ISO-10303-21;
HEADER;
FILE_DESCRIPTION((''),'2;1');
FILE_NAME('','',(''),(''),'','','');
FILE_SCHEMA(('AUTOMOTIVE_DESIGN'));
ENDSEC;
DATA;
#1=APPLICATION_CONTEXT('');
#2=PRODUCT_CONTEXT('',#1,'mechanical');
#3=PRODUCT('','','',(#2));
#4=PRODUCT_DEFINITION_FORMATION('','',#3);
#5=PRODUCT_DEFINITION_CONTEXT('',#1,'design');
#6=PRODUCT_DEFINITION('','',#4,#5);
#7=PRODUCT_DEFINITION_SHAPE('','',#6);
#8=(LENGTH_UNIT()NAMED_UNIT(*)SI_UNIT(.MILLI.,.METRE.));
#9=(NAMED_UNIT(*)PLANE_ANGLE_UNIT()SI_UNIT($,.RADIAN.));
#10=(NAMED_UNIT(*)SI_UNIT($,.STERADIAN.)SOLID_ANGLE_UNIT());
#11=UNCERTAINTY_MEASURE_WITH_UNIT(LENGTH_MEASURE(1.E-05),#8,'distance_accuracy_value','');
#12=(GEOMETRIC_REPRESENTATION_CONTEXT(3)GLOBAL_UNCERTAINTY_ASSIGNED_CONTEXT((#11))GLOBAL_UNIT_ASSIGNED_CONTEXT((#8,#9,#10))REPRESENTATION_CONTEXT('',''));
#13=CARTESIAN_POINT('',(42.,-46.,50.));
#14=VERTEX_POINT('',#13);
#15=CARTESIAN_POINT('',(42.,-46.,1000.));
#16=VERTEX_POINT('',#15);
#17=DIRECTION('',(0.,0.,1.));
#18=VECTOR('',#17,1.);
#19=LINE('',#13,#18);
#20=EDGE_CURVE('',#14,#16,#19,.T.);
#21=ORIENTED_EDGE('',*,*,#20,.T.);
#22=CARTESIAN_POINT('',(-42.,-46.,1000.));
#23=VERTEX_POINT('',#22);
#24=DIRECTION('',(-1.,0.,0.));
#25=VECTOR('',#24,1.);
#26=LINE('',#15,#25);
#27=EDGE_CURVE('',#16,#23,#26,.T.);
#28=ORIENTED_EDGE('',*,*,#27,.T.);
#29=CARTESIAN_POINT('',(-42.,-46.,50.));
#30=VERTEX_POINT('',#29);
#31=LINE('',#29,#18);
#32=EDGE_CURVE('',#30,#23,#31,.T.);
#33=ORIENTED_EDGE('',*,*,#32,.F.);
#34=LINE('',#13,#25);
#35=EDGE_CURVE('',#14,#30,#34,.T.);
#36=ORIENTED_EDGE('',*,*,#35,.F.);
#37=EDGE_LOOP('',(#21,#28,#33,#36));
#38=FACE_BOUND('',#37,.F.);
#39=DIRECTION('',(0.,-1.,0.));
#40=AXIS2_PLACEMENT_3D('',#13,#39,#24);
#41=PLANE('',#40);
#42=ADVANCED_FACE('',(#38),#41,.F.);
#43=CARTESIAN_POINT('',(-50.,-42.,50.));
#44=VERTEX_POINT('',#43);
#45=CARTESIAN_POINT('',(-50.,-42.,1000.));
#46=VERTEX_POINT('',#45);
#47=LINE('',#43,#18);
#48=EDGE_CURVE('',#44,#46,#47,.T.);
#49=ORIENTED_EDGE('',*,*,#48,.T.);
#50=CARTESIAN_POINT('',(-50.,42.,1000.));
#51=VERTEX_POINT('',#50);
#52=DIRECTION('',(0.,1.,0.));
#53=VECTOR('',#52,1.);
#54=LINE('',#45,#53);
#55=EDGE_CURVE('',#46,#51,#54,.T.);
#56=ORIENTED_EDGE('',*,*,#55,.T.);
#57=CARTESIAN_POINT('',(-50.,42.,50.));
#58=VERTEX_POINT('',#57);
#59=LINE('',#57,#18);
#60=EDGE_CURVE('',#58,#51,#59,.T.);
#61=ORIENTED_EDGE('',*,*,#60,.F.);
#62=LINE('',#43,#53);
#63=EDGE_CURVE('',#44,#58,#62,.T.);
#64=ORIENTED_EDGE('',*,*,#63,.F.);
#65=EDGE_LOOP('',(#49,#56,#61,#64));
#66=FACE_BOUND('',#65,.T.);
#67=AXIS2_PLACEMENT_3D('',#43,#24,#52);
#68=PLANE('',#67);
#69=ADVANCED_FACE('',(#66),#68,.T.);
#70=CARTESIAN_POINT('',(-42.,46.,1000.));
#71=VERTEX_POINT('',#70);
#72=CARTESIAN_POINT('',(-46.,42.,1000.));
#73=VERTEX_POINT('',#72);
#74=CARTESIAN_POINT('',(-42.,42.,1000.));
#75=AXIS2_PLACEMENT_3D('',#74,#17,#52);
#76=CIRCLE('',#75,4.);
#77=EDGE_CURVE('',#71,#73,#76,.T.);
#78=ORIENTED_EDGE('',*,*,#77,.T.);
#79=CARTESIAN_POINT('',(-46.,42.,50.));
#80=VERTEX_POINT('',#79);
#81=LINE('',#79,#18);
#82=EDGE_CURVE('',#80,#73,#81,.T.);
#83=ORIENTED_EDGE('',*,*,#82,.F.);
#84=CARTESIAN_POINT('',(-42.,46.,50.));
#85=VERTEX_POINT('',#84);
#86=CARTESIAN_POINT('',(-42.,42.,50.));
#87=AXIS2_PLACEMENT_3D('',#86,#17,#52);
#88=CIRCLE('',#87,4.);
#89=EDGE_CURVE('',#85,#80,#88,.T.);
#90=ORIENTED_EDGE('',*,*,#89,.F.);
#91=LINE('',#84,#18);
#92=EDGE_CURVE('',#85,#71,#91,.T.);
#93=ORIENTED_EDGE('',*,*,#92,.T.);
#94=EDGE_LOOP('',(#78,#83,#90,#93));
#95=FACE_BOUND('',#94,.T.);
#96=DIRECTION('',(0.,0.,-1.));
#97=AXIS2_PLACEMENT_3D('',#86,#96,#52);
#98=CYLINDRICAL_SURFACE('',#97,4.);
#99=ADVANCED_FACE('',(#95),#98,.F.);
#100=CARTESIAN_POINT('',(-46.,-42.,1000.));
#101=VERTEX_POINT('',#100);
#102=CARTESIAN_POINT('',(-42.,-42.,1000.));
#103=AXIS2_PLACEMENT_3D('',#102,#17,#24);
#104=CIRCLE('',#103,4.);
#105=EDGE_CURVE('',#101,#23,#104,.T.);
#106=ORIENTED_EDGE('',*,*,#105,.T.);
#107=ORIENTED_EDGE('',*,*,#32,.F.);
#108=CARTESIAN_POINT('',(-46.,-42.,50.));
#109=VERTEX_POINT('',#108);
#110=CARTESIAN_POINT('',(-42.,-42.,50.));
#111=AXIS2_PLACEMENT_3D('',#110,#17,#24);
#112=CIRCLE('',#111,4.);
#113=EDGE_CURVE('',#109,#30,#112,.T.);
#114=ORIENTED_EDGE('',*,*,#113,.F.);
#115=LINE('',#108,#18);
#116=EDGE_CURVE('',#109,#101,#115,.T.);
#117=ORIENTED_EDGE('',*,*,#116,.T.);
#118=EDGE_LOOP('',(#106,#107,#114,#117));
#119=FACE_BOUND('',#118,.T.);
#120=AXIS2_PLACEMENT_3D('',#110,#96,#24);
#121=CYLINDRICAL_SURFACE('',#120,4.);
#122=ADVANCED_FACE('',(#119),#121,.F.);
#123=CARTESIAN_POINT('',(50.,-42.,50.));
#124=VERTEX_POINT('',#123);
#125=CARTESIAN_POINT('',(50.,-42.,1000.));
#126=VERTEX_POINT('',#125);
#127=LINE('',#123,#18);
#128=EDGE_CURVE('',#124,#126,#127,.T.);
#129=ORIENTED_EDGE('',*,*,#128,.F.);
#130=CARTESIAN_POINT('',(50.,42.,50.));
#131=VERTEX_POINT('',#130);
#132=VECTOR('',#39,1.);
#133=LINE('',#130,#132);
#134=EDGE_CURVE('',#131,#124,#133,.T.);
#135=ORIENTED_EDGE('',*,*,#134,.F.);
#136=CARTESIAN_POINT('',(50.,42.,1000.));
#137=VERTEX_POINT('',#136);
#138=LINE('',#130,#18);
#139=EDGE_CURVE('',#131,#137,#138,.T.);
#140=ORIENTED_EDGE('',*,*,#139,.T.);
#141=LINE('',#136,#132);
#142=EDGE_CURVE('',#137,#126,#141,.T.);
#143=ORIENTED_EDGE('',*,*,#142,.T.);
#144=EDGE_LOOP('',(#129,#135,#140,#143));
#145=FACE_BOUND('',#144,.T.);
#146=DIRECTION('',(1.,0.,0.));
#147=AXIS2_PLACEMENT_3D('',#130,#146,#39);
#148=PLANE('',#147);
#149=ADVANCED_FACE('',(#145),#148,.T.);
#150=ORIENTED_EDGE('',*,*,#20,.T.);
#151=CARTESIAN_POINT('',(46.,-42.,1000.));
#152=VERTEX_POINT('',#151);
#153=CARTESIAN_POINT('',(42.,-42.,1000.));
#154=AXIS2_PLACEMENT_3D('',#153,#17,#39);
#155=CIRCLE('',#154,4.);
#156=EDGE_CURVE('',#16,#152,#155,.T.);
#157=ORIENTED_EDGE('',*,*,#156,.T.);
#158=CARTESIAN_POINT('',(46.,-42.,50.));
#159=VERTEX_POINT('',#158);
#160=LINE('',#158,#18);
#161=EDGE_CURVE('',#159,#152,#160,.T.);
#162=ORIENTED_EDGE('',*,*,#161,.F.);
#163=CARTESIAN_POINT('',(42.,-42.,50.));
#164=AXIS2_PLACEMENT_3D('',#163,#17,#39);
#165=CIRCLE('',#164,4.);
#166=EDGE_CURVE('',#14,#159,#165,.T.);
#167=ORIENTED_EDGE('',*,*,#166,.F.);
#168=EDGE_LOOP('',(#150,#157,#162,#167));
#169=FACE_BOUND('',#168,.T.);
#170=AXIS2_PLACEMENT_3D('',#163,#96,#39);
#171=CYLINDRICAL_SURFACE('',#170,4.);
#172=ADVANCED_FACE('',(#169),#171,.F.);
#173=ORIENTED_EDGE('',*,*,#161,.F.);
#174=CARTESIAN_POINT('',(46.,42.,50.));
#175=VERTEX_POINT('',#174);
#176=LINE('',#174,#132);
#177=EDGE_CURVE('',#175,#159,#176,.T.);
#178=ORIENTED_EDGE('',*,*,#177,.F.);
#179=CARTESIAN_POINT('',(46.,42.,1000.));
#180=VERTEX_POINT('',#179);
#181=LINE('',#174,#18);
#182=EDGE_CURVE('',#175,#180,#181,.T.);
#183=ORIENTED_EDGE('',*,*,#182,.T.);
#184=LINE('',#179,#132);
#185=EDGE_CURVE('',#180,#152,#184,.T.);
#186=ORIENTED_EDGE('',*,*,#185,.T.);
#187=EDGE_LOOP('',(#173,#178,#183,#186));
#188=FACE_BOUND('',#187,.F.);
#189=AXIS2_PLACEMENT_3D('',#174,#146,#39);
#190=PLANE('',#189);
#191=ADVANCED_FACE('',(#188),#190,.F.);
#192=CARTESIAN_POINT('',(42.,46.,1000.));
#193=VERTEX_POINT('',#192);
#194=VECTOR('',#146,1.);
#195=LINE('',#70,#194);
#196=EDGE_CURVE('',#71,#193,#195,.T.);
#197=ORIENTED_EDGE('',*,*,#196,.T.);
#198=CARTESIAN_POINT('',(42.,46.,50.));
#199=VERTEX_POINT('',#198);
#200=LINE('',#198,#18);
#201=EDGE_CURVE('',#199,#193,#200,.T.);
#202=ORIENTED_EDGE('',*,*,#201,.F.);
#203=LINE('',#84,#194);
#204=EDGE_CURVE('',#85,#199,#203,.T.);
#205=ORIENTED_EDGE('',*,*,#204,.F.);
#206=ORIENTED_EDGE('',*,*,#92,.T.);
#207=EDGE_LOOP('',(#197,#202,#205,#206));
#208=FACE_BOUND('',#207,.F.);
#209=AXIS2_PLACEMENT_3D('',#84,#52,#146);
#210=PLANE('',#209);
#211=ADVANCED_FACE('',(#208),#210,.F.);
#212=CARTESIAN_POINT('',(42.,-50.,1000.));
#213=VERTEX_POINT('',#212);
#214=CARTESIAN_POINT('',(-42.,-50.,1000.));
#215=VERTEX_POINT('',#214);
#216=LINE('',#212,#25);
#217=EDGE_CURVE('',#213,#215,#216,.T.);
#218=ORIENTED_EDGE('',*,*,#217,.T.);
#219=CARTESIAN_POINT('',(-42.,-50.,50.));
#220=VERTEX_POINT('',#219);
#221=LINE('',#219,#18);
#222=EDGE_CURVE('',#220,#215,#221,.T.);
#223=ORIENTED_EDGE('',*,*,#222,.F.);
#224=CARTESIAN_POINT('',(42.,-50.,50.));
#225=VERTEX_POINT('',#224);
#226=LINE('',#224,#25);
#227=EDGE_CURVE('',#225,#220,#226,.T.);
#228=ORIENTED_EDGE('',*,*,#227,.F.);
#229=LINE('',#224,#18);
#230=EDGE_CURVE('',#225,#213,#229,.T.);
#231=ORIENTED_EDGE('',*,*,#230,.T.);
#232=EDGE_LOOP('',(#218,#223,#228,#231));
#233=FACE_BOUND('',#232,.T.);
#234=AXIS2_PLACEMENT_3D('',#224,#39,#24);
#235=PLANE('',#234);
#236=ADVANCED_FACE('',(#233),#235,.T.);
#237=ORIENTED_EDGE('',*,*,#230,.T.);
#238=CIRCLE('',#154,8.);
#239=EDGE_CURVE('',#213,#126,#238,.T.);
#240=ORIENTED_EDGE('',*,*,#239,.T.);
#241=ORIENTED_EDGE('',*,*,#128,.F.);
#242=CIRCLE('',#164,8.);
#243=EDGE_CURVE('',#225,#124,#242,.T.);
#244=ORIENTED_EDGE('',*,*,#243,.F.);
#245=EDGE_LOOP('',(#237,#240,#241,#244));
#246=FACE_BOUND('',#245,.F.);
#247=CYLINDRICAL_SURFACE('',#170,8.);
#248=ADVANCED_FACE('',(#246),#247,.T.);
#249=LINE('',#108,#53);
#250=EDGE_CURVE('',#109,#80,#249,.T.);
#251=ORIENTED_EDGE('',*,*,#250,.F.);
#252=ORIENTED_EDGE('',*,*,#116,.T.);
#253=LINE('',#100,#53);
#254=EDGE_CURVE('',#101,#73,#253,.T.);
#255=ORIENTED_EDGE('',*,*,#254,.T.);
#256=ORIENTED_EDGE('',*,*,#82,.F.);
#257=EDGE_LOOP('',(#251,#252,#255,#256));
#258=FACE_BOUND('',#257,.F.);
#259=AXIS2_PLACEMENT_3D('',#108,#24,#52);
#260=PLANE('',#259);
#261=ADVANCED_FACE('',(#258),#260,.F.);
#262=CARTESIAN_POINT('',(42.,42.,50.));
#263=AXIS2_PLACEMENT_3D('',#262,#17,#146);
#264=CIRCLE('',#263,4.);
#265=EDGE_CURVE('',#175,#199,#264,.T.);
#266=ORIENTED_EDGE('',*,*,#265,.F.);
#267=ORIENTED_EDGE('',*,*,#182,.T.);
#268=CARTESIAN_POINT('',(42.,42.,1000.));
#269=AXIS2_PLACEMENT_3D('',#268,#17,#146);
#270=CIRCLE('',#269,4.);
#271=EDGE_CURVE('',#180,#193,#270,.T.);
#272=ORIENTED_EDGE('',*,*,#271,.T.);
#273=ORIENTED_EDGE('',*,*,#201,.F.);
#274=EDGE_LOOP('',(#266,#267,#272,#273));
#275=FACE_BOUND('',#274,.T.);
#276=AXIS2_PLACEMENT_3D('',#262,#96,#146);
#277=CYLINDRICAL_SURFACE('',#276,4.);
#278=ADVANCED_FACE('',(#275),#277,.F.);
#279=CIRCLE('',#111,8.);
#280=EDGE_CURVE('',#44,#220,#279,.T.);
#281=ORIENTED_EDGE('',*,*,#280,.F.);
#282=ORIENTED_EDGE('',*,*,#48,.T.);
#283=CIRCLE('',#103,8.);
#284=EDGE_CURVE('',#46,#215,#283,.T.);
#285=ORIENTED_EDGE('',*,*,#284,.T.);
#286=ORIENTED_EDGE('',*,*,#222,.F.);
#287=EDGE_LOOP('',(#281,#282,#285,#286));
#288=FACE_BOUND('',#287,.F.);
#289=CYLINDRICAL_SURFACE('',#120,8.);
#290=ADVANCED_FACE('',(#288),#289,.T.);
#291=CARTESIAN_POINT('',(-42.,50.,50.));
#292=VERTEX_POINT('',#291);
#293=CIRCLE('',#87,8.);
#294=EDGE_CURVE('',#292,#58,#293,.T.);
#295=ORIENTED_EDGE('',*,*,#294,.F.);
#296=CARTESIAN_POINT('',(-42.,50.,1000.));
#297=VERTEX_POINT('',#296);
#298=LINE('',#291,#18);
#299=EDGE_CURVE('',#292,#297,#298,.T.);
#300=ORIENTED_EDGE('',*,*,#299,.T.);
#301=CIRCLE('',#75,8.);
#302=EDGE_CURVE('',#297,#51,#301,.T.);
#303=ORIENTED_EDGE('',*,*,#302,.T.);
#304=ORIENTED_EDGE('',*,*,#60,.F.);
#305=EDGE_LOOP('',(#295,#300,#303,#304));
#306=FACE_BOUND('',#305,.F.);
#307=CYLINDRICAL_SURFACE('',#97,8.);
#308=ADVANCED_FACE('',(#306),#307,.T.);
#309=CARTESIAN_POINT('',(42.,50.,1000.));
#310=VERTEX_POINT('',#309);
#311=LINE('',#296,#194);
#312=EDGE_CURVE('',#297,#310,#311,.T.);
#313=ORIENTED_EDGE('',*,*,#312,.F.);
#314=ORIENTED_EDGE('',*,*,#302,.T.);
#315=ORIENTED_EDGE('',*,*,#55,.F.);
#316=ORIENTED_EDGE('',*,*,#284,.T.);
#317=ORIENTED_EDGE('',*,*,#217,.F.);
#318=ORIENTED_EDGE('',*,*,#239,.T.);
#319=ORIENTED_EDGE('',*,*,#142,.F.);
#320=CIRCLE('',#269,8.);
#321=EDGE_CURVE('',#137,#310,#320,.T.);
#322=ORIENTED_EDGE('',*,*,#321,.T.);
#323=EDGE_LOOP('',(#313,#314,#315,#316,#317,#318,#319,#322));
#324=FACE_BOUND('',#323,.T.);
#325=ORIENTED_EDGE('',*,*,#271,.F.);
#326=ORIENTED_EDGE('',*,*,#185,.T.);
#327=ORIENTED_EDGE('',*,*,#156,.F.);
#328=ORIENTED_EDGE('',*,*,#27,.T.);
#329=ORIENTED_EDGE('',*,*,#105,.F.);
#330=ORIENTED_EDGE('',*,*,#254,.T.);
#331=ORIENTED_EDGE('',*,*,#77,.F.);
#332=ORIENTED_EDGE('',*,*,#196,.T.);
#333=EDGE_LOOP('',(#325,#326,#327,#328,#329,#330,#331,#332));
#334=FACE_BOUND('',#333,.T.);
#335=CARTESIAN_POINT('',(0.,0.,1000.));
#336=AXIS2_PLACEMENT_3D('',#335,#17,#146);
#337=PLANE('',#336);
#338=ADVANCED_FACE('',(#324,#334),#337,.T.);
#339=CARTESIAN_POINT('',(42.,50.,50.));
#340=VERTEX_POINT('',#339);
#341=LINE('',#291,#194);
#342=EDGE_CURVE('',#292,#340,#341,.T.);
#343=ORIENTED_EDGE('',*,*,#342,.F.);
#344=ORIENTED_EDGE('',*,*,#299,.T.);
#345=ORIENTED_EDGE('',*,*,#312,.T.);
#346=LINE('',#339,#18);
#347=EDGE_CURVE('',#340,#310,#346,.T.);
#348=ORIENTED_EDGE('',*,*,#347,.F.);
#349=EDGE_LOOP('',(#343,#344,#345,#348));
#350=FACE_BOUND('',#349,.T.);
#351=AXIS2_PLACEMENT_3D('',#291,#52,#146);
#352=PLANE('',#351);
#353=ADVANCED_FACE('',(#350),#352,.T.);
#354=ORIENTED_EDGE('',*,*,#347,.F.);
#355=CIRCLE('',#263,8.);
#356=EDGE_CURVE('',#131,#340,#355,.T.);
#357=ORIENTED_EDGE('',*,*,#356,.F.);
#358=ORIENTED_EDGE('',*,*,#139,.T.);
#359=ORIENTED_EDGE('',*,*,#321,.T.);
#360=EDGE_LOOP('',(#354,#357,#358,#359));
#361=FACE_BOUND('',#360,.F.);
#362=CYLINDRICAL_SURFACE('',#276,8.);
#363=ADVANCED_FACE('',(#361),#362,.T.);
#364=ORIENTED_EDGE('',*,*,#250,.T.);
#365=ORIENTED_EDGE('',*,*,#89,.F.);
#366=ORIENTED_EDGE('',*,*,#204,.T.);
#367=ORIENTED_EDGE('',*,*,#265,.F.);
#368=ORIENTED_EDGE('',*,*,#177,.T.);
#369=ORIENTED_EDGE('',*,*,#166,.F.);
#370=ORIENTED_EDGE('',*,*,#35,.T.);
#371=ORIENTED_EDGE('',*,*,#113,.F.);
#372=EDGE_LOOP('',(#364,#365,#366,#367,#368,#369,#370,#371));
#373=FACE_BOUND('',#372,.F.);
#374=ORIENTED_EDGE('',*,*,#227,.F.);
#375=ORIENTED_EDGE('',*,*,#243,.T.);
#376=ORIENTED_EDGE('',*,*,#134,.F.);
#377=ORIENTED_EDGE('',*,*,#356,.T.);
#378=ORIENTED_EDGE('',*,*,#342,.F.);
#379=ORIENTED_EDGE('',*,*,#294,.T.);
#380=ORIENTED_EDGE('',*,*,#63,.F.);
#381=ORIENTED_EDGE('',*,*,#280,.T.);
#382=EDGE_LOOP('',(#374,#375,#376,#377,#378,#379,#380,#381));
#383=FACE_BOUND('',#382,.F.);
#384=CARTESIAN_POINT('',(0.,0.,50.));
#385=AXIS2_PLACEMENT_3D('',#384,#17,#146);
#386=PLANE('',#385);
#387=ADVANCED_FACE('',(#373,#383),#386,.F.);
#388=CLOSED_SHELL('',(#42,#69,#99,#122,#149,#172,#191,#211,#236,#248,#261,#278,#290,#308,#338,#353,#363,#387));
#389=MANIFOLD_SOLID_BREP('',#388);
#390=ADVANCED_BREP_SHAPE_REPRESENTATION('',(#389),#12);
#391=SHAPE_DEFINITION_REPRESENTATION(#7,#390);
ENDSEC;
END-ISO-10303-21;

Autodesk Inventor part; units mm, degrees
ref_plane "YZ Plane" through (0, 0, 0) normal (1, 0, 0) x (0, 1, 0)
ref_plane "Start Plane" through (0, 0, 50) normal (0, 0, 1) x (1, 0, 0)
ref_plane "End Plane" through (0, 0, 1000) normal (0, 0, 1) x (1, 0, 0)
sketch "Sketch" plane through (0, 0, 0) normal (0, 0, 1) x (1, 0, 0)
  line L0 (-50, -42) -> (-50, 42)
  line L1 (-42, 50) -> (42, 50)
  line L2 (50, 42) -> (50, -42)
  line L3 (42, -50) -> (-42, -50)
  arc A0 (-50, -42) -> (-42, -50) centre (-42, -42) ccw
  arc A1 (50, 42) -> (42, 50) centre (42, 42) ccw
  arc A2 (-42, 50) -> (-50, 42) centre (-42, 42) ccw
  arc A3 (42, -50) -> (50, -42) centre (42, -42) ccw
  arc A4 (-42, 46) -> (-46, 42) centre (-42, 42) ccw
  line L4 (-42, 46) -> (42, 46)
  arc A5 (46, 42) -> (42, 46) centre (42, 42) ccw
  line L5 (46, 42) -> (46, -42)
  arc A6 (42, -46) -> (46, -42) centre (42, -42) ccw
  line L6 (42, -46) -> (-42, -46)
  arc A7 (-46, -42) -> (-42, -46) centre (-42, -42) ccw
  line L7 (-46, -42) -> (-46, 42)
  line L8 (0, 72.3196) -> (0, -72.3196) construction
  line L9 (-72.3196, 0) -> (72.3196, 0) construction
  dimension "d7" = 8
  dimension "d9" = 100
  dimension "d11" = 100
  dimension "d12" = 4
  dimension "d15" = 50
  dimension "d16" = 50
extrude "Body" add sketch "Sketch" along normal up to surface (950 mm away) from surface at 50
sketch "Sketch3" plane through (0, 0, 0) normal (0, 0, 1) x (1, 0, 0)
  line L0 (0, 0) -> (10, 0)
ref_plane "Work Plane3" through (0, 0, 0) normal (0, -1, 0) x (1, 0, 0)
sketch "Sketch4" plane through (0, 0, 0) normal (0, -1, 0) x (1, 0, 0)
  line L0 (-2, 50) -> (12, 50) projected
  line L1 (-2, 1000) -> (12, 1000) projected
  dimension "d18" = 950
equation "\"d7\" = G_IR"
equation "\"d9\" = G_W"
equation "\"d11\" = G_H"
equation "\"d12\" = G_T"
equation "\"d15\" = 0.5 * d9"
equation "\"d16\" = 0.5 * d11"
equation "\"d3\" = G_L"
equation "\"G_W\" = 100"
equation "\"G_H\" = 100"
equation "\"G_T\" = 4"
equation "\"G_IR\" = 8"
equation "\"G_L\" = d18"
properties part number "ISO 10799-2 - 100x100x4 - 950" material "Steel, Mild"
